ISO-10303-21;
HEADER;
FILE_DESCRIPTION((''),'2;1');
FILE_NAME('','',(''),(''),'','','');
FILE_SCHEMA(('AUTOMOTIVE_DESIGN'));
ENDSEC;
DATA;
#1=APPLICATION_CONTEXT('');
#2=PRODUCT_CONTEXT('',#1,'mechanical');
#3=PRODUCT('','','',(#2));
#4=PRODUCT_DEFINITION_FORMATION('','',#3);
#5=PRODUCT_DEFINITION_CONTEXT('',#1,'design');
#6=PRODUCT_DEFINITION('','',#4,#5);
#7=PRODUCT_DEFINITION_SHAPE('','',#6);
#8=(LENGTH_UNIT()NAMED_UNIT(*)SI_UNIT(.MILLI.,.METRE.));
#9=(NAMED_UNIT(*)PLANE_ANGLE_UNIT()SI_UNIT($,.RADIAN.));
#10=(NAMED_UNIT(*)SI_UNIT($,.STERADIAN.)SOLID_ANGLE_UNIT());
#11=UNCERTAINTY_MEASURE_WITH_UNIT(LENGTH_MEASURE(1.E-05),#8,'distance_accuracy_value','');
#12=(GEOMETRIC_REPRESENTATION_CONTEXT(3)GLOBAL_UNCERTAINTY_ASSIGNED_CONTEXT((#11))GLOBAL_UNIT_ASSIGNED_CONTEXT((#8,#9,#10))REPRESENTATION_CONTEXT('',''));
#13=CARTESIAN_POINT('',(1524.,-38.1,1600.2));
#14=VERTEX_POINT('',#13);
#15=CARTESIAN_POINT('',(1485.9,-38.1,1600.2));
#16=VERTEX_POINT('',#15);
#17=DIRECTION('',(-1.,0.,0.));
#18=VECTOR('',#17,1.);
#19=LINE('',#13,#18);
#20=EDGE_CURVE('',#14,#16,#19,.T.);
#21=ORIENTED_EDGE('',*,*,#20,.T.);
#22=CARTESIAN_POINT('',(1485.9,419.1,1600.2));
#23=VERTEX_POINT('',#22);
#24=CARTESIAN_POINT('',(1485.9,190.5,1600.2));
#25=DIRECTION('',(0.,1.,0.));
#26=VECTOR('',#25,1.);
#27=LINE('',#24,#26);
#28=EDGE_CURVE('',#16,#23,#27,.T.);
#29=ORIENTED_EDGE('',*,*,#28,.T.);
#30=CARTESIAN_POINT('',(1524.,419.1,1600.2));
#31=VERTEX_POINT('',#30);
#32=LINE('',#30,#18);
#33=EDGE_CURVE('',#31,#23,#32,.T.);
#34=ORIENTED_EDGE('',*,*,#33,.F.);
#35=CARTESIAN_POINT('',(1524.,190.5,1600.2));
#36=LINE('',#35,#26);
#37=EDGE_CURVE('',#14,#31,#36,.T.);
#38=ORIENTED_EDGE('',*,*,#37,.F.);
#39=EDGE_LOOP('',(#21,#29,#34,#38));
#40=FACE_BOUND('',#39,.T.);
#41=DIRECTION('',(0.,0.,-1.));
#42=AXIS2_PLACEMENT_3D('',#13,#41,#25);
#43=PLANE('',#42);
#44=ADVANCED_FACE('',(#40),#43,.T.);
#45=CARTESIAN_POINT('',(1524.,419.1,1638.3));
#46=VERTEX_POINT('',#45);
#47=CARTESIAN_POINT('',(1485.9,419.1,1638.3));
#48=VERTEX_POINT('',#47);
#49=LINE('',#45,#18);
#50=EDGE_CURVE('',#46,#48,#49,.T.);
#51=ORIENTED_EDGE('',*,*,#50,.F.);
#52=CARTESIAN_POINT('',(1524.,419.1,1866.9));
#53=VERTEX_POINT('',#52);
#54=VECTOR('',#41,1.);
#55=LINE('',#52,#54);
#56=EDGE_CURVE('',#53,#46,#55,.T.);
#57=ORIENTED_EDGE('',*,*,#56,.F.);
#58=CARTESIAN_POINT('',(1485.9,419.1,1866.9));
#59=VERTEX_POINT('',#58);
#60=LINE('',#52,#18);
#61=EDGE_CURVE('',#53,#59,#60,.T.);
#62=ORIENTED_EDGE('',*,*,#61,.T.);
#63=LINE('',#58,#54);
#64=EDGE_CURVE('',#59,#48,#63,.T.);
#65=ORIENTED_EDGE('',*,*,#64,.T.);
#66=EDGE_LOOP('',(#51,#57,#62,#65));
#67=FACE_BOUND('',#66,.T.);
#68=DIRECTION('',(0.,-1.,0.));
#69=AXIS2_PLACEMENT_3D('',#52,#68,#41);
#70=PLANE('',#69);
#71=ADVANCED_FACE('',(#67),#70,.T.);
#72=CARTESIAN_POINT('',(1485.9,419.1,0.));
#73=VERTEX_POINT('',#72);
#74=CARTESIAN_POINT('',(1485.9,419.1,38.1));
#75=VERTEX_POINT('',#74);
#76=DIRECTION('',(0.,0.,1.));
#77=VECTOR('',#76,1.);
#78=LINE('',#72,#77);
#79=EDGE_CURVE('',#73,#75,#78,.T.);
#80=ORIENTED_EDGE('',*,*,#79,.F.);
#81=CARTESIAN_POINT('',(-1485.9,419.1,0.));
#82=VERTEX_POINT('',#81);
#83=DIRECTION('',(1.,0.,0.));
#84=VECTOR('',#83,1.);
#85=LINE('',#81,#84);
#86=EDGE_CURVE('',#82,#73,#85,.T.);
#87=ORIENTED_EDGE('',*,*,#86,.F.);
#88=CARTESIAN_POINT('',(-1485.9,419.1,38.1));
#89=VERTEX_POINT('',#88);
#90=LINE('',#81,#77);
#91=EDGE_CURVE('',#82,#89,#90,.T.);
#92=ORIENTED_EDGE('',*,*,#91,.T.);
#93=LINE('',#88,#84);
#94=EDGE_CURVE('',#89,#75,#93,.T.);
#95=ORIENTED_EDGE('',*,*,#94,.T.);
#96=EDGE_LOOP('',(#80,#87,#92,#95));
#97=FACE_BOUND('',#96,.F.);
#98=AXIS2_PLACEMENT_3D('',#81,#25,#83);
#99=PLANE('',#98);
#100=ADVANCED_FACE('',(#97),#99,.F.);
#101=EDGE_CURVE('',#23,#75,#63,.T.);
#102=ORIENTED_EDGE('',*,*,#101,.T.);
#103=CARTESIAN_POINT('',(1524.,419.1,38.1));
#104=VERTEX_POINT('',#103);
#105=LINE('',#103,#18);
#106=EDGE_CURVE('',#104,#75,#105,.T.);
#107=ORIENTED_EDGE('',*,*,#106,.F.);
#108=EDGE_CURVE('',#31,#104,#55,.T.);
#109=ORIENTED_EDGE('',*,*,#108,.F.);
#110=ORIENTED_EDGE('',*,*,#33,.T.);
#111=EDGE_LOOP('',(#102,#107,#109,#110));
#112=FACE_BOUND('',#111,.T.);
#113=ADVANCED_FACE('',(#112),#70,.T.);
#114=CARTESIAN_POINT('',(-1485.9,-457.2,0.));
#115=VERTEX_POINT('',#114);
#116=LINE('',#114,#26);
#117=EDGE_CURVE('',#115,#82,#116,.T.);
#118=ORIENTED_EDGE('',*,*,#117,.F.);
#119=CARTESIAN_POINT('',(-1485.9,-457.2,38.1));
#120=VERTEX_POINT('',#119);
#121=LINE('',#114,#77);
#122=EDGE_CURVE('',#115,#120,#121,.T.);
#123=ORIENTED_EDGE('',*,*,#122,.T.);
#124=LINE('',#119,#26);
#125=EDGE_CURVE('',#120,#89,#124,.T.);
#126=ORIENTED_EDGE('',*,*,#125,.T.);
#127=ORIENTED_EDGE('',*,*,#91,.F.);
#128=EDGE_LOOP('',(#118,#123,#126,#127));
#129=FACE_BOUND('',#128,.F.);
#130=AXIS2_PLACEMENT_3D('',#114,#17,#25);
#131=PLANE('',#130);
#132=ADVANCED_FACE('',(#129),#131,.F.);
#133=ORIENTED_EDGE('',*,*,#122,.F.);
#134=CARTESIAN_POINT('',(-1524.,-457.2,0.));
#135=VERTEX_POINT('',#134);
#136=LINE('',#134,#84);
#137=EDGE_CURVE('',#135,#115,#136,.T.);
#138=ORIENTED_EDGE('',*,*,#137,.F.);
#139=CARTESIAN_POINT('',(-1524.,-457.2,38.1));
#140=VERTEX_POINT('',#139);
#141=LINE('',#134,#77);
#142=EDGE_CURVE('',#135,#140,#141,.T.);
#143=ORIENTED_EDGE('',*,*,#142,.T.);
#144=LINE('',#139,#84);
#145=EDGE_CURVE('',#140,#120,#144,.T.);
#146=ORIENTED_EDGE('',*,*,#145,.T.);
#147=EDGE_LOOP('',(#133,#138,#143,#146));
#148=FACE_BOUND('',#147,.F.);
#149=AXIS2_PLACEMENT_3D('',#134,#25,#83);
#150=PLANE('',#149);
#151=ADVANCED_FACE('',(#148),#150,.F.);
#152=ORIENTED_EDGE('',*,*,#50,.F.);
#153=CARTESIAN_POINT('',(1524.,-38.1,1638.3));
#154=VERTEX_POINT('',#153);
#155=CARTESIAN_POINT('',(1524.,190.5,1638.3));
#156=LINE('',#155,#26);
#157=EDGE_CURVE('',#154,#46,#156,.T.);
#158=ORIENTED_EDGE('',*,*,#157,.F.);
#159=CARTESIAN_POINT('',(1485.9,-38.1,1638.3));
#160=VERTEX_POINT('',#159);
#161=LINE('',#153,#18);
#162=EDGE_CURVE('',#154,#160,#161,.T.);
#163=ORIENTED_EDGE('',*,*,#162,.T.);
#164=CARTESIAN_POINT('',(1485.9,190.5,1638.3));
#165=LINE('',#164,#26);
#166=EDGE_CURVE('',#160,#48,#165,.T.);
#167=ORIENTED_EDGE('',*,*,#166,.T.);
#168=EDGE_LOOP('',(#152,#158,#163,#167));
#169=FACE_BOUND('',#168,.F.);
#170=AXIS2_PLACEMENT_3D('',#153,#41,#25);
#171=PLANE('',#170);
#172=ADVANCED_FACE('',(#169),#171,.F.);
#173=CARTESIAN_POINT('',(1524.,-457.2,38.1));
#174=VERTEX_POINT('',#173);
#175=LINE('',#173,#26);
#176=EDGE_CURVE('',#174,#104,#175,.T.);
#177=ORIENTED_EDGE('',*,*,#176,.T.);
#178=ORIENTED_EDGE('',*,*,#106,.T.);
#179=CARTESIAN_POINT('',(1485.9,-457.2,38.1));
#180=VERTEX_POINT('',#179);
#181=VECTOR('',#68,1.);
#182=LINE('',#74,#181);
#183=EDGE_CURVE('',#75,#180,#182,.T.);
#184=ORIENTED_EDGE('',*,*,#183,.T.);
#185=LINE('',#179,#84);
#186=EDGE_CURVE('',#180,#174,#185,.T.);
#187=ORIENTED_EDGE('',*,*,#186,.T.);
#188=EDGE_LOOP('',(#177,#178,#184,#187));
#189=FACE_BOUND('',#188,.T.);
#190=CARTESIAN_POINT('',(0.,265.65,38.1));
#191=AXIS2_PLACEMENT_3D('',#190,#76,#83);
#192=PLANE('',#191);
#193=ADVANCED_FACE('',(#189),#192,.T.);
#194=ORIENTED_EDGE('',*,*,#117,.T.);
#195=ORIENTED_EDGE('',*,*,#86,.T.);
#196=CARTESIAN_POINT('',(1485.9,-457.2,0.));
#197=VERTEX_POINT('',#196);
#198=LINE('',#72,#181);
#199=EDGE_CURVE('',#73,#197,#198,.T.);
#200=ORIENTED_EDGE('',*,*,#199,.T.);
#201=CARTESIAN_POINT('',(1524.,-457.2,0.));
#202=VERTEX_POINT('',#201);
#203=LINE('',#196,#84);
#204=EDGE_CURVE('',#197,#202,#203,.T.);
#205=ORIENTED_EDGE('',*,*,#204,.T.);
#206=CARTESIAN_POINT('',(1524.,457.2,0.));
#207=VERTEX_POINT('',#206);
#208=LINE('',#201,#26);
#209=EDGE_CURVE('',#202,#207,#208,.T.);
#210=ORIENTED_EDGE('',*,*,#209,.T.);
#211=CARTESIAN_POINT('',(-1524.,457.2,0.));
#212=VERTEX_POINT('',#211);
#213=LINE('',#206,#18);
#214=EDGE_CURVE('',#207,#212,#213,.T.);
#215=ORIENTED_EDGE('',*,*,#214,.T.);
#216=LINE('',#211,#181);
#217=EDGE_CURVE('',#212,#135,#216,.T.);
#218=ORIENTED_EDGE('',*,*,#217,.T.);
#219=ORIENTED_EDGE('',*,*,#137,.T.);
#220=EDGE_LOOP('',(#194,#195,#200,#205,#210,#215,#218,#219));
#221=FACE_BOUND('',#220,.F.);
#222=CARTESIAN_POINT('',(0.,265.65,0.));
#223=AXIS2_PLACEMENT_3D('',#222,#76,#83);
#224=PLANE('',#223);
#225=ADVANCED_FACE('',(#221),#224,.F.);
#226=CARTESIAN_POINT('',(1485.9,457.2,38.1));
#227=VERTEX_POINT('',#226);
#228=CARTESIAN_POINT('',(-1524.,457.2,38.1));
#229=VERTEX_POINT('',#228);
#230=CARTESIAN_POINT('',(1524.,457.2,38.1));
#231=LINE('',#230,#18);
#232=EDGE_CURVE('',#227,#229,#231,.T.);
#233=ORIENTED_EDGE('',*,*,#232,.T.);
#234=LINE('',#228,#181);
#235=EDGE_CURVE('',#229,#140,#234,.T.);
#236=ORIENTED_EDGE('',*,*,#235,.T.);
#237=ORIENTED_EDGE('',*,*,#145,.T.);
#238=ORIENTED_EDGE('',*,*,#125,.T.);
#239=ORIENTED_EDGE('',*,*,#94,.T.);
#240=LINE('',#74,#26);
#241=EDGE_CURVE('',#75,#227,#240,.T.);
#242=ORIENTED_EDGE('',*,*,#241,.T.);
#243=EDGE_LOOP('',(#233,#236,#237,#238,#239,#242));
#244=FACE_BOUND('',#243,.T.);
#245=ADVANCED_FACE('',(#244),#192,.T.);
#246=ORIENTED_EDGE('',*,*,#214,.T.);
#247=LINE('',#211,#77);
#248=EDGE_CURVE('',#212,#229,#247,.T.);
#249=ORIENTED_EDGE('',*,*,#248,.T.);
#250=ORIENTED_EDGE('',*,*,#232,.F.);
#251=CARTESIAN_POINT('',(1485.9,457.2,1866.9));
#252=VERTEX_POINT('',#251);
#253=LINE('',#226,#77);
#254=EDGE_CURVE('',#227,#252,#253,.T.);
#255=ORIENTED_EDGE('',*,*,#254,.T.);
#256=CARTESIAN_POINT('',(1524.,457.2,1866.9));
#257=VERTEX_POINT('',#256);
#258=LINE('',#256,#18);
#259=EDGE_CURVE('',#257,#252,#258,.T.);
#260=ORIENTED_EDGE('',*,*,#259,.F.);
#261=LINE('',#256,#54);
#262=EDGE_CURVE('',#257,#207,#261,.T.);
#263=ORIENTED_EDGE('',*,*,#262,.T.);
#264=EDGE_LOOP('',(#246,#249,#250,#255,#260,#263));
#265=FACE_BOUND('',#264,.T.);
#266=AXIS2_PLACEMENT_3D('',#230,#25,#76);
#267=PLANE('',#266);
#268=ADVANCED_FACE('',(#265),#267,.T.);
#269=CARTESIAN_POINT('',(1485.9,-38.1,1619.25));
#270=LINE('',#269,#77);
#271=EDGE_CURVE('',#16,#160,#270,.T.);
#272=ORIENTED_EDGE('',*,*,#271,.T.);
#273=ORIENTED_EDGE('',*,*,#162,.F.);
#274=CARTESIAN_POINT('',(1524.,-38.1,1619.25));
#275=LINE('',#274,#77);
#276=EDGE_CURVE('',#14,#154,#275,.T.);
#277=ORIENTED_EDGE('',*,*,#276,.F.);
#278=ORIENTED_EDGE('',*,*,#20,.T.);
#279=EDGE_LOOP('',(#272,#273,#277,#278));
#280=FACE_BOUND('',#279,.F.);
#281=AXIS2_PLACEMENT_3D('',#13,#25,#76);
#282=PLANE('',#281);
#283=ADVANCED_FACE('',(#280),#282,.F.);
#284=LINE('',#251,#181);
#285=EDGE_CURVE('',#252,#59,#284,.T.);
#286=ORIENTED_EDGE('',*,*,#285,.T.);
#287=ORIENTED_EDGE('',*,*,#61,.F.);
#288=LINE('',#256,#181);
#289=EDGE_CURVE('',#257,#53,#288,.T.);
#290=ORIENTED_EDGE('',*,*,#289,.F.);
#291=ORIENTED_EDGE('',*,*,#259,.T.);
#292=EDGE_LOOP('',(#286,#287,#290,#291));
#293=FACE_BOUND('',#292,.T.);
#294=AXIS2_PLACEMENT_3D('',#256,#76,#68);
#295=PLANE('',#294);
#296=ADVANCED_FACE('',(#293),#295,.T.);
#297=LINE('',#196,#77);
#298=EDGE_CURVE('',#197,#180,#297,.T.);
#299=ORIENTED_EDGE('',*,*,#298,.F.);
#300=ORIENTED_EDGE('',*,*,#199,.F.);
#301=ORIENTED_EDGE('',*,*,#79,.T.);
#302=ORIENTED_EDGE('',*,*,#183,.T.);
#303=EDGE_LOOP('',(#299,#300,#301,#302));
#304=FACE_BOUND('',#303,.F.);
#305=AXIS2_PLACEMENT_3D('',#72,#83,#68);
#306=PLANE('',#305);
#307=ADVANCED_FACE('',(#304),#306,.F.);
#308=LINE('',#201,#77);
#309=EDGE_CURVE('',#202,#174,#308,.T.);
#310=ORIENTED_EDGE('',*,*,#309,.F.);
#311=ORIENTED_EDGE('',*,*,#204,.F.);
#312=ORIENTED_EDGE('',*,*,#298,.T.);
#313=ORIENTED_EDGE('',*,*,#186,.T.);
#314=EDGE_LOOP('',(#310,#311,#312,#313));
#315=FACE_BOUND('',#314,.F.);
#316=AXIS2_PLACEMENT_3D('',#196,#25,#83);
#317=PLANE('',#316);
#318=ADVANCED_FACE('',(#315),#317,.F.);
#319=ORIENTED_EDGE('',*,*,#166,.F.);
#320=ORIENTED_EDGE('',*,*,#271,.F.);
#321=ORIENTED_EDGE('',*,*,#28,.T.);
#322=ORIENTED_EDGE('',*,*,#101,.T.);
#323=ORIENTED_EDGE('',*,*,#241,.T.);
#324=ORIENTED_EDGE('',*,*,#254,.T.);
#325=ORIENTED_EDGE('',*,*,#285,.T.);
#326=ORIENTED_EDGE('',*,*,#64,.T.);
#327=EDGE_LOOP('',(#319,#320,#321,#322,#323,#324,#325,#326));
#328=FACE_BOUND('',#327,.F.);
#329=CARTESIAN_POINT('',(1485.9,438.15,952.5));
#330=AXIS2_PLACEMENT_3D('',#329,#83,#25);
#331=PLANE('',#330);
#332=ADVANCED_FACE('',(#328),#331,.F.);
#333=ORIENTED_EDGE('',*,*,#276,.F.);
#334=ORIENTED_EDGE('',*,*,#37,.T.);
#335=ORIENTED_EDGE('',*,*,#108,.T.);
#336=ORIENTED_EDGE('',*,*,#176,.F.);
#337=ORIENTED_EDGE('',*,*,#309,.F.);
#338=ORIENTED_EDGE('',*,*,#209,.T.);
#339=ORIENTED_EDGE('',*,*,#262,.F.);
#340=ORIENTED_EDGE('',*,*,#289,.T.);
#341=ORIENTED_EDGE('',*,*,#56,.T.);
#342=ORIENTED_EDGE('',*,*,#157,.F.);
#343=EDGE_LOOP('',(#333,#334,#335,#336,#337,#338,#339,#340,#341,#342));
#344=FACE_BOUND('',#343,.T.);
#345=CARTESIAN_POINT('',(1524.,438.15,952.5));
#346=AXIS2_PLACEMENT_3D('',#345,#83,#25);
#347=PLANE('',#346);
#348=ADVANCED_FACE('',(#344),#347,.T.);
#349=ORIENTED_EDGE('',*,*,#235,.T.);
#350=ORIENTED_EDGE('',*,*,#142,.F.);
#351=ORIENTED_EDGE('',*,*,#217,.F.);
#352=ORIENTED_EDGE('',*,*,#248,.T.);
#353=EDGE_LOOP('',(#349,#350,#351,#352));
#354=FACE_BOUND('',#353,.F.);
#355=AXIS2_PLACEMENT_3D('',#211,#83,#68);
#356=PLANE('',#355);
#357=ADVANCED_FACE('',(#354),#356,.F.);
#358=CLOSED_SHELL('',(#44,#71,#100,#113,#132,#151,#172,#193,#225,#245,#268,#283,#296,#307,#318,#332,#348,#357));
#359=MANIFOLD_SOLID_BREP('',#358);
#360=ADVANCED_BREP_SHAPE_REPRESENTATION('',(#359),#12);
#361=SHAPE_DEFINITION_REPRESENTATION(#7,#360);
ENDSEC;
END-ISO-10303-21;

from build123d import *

# Parameters (mm, degrees)
F1_DEPTH = 38.1
F3_DEPTH = 38.1
F2_W     = 457.2
F2_H     = 38.1
F4_DEPTH = 38.1


with BuildPart() as f1:
    # F0 (on Top) → F1 (new body)
    with BuildSketch(Plane.XY):
        Polygon((1524, -457.2), (1524, 457.2), (-1524, 457.2), (-1524, -457.2), (-1485.9, -457.2), (-1485.9, 419.1), (1485.9, 419.1), (1485.9, -457.2), align=None)
    extrude(amount=F1_DEPTH)

    # F2 (on face) → F3 (join)
    with BuildSketch(Plane.YZ.offset(1524)):
        Polygon((419.1, 38.1), (457.2, 38.1), (457.2, 1866.9), (419.1, 1866.9), (419.1, 1638.3), (419.1, 1600.2), align=None)
    extrude(amount=-F3_DEPTH)

    # F2 (on face) → F4 (join)
    with BuildSketch(Plane.YZ.offset(1524)):
        with Locations((190.5, 1619.25)):
            Rectangle(F2_W, F2_H)
    extrude(amount=-F4_DEPTH)


solid = f1.part
